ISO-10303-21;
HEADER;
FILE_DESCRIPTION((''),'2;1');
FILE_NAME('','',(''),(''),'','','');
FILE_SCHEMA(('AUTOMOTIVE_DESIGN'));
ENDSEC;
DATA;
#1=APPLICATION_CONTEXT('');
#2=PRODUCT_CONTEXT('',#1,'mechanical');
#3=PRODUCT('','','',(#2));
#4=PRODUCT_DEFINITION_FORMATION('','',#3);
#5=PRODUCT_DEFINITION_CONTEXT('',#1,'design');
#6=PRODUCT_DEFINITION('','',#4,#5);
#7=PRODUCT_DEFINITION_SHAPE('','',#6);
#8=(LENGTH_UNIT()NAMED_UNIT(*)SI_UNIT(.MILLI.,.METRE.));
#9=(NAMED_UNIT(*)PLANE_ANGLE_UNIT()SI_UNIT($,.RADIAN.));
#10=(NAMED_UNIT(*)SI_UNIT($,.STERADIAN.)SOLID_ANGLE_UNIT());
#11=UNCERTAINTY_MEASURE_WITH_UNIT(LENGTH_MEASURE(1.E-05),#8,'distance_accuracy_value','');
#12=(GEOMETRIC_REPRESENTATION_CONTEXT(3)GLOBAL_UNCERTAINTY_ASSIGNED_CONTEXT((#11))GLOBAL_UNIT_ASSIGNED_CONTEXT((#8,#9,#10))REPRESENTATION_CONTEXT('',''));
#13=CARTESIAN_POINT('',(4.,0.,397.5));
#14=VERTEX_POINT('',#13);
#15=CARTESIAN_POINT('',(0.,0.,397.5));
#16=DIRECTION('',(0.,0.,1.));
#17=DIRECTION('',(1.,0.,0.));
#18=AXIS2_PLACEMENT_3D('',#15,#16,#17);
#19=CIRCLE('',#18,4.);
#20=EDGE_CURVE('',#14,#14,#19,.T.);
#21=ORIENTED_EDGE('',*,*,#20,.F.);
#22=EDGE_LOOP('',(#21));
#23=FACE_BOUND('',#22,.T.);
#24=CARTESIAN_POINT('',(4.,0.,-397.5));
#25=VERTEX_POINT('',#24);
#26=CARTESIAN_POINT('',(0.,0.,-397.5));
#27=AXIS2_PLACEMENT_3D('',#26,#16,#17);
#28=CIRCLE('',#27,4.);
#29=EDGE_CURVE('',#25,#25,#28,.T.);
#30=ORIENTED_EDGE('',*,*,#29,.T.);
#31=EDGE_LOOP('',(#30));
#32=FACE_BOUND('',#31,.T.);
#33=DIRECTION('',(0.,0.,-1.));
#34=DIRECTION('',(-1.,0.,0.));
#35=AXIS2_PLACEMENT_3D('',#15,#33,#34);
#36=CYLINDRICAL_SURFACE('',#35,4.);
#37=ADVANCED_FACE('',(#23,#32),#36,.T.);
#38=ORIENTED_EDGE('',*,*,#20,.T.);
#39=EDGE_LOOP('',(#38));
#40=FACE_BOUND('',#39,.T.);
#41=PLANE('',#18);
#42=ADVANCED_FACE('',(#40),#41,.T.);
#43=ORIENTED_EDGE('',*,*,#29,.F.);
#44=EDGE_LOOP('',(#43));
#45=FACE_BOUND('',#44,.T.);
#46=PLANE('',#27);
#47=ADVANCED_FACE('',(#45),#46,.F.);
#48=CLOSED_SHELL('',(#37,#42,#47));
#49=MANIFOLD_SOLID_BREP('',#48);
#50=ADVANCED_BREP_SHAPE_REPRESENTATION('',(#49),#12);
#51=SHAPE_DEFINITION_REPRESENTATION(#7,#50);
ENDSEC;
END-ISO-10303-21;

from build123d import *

# Parameters (mm, degrees)
SKETCH1_R           = 4
BOSS_EXTRUDE1_DEPTH = 397.5


with BuildPart() as part:
    # Sketch1 → Boss-Extrude1 (new, symmetric)
    with BuildSketch(Plane.XY):
        Circle(SKETCH1_R)
    extrude(amount=BOSS_EXTRUDE1_DEPTH, both=True)


solid = part.part
